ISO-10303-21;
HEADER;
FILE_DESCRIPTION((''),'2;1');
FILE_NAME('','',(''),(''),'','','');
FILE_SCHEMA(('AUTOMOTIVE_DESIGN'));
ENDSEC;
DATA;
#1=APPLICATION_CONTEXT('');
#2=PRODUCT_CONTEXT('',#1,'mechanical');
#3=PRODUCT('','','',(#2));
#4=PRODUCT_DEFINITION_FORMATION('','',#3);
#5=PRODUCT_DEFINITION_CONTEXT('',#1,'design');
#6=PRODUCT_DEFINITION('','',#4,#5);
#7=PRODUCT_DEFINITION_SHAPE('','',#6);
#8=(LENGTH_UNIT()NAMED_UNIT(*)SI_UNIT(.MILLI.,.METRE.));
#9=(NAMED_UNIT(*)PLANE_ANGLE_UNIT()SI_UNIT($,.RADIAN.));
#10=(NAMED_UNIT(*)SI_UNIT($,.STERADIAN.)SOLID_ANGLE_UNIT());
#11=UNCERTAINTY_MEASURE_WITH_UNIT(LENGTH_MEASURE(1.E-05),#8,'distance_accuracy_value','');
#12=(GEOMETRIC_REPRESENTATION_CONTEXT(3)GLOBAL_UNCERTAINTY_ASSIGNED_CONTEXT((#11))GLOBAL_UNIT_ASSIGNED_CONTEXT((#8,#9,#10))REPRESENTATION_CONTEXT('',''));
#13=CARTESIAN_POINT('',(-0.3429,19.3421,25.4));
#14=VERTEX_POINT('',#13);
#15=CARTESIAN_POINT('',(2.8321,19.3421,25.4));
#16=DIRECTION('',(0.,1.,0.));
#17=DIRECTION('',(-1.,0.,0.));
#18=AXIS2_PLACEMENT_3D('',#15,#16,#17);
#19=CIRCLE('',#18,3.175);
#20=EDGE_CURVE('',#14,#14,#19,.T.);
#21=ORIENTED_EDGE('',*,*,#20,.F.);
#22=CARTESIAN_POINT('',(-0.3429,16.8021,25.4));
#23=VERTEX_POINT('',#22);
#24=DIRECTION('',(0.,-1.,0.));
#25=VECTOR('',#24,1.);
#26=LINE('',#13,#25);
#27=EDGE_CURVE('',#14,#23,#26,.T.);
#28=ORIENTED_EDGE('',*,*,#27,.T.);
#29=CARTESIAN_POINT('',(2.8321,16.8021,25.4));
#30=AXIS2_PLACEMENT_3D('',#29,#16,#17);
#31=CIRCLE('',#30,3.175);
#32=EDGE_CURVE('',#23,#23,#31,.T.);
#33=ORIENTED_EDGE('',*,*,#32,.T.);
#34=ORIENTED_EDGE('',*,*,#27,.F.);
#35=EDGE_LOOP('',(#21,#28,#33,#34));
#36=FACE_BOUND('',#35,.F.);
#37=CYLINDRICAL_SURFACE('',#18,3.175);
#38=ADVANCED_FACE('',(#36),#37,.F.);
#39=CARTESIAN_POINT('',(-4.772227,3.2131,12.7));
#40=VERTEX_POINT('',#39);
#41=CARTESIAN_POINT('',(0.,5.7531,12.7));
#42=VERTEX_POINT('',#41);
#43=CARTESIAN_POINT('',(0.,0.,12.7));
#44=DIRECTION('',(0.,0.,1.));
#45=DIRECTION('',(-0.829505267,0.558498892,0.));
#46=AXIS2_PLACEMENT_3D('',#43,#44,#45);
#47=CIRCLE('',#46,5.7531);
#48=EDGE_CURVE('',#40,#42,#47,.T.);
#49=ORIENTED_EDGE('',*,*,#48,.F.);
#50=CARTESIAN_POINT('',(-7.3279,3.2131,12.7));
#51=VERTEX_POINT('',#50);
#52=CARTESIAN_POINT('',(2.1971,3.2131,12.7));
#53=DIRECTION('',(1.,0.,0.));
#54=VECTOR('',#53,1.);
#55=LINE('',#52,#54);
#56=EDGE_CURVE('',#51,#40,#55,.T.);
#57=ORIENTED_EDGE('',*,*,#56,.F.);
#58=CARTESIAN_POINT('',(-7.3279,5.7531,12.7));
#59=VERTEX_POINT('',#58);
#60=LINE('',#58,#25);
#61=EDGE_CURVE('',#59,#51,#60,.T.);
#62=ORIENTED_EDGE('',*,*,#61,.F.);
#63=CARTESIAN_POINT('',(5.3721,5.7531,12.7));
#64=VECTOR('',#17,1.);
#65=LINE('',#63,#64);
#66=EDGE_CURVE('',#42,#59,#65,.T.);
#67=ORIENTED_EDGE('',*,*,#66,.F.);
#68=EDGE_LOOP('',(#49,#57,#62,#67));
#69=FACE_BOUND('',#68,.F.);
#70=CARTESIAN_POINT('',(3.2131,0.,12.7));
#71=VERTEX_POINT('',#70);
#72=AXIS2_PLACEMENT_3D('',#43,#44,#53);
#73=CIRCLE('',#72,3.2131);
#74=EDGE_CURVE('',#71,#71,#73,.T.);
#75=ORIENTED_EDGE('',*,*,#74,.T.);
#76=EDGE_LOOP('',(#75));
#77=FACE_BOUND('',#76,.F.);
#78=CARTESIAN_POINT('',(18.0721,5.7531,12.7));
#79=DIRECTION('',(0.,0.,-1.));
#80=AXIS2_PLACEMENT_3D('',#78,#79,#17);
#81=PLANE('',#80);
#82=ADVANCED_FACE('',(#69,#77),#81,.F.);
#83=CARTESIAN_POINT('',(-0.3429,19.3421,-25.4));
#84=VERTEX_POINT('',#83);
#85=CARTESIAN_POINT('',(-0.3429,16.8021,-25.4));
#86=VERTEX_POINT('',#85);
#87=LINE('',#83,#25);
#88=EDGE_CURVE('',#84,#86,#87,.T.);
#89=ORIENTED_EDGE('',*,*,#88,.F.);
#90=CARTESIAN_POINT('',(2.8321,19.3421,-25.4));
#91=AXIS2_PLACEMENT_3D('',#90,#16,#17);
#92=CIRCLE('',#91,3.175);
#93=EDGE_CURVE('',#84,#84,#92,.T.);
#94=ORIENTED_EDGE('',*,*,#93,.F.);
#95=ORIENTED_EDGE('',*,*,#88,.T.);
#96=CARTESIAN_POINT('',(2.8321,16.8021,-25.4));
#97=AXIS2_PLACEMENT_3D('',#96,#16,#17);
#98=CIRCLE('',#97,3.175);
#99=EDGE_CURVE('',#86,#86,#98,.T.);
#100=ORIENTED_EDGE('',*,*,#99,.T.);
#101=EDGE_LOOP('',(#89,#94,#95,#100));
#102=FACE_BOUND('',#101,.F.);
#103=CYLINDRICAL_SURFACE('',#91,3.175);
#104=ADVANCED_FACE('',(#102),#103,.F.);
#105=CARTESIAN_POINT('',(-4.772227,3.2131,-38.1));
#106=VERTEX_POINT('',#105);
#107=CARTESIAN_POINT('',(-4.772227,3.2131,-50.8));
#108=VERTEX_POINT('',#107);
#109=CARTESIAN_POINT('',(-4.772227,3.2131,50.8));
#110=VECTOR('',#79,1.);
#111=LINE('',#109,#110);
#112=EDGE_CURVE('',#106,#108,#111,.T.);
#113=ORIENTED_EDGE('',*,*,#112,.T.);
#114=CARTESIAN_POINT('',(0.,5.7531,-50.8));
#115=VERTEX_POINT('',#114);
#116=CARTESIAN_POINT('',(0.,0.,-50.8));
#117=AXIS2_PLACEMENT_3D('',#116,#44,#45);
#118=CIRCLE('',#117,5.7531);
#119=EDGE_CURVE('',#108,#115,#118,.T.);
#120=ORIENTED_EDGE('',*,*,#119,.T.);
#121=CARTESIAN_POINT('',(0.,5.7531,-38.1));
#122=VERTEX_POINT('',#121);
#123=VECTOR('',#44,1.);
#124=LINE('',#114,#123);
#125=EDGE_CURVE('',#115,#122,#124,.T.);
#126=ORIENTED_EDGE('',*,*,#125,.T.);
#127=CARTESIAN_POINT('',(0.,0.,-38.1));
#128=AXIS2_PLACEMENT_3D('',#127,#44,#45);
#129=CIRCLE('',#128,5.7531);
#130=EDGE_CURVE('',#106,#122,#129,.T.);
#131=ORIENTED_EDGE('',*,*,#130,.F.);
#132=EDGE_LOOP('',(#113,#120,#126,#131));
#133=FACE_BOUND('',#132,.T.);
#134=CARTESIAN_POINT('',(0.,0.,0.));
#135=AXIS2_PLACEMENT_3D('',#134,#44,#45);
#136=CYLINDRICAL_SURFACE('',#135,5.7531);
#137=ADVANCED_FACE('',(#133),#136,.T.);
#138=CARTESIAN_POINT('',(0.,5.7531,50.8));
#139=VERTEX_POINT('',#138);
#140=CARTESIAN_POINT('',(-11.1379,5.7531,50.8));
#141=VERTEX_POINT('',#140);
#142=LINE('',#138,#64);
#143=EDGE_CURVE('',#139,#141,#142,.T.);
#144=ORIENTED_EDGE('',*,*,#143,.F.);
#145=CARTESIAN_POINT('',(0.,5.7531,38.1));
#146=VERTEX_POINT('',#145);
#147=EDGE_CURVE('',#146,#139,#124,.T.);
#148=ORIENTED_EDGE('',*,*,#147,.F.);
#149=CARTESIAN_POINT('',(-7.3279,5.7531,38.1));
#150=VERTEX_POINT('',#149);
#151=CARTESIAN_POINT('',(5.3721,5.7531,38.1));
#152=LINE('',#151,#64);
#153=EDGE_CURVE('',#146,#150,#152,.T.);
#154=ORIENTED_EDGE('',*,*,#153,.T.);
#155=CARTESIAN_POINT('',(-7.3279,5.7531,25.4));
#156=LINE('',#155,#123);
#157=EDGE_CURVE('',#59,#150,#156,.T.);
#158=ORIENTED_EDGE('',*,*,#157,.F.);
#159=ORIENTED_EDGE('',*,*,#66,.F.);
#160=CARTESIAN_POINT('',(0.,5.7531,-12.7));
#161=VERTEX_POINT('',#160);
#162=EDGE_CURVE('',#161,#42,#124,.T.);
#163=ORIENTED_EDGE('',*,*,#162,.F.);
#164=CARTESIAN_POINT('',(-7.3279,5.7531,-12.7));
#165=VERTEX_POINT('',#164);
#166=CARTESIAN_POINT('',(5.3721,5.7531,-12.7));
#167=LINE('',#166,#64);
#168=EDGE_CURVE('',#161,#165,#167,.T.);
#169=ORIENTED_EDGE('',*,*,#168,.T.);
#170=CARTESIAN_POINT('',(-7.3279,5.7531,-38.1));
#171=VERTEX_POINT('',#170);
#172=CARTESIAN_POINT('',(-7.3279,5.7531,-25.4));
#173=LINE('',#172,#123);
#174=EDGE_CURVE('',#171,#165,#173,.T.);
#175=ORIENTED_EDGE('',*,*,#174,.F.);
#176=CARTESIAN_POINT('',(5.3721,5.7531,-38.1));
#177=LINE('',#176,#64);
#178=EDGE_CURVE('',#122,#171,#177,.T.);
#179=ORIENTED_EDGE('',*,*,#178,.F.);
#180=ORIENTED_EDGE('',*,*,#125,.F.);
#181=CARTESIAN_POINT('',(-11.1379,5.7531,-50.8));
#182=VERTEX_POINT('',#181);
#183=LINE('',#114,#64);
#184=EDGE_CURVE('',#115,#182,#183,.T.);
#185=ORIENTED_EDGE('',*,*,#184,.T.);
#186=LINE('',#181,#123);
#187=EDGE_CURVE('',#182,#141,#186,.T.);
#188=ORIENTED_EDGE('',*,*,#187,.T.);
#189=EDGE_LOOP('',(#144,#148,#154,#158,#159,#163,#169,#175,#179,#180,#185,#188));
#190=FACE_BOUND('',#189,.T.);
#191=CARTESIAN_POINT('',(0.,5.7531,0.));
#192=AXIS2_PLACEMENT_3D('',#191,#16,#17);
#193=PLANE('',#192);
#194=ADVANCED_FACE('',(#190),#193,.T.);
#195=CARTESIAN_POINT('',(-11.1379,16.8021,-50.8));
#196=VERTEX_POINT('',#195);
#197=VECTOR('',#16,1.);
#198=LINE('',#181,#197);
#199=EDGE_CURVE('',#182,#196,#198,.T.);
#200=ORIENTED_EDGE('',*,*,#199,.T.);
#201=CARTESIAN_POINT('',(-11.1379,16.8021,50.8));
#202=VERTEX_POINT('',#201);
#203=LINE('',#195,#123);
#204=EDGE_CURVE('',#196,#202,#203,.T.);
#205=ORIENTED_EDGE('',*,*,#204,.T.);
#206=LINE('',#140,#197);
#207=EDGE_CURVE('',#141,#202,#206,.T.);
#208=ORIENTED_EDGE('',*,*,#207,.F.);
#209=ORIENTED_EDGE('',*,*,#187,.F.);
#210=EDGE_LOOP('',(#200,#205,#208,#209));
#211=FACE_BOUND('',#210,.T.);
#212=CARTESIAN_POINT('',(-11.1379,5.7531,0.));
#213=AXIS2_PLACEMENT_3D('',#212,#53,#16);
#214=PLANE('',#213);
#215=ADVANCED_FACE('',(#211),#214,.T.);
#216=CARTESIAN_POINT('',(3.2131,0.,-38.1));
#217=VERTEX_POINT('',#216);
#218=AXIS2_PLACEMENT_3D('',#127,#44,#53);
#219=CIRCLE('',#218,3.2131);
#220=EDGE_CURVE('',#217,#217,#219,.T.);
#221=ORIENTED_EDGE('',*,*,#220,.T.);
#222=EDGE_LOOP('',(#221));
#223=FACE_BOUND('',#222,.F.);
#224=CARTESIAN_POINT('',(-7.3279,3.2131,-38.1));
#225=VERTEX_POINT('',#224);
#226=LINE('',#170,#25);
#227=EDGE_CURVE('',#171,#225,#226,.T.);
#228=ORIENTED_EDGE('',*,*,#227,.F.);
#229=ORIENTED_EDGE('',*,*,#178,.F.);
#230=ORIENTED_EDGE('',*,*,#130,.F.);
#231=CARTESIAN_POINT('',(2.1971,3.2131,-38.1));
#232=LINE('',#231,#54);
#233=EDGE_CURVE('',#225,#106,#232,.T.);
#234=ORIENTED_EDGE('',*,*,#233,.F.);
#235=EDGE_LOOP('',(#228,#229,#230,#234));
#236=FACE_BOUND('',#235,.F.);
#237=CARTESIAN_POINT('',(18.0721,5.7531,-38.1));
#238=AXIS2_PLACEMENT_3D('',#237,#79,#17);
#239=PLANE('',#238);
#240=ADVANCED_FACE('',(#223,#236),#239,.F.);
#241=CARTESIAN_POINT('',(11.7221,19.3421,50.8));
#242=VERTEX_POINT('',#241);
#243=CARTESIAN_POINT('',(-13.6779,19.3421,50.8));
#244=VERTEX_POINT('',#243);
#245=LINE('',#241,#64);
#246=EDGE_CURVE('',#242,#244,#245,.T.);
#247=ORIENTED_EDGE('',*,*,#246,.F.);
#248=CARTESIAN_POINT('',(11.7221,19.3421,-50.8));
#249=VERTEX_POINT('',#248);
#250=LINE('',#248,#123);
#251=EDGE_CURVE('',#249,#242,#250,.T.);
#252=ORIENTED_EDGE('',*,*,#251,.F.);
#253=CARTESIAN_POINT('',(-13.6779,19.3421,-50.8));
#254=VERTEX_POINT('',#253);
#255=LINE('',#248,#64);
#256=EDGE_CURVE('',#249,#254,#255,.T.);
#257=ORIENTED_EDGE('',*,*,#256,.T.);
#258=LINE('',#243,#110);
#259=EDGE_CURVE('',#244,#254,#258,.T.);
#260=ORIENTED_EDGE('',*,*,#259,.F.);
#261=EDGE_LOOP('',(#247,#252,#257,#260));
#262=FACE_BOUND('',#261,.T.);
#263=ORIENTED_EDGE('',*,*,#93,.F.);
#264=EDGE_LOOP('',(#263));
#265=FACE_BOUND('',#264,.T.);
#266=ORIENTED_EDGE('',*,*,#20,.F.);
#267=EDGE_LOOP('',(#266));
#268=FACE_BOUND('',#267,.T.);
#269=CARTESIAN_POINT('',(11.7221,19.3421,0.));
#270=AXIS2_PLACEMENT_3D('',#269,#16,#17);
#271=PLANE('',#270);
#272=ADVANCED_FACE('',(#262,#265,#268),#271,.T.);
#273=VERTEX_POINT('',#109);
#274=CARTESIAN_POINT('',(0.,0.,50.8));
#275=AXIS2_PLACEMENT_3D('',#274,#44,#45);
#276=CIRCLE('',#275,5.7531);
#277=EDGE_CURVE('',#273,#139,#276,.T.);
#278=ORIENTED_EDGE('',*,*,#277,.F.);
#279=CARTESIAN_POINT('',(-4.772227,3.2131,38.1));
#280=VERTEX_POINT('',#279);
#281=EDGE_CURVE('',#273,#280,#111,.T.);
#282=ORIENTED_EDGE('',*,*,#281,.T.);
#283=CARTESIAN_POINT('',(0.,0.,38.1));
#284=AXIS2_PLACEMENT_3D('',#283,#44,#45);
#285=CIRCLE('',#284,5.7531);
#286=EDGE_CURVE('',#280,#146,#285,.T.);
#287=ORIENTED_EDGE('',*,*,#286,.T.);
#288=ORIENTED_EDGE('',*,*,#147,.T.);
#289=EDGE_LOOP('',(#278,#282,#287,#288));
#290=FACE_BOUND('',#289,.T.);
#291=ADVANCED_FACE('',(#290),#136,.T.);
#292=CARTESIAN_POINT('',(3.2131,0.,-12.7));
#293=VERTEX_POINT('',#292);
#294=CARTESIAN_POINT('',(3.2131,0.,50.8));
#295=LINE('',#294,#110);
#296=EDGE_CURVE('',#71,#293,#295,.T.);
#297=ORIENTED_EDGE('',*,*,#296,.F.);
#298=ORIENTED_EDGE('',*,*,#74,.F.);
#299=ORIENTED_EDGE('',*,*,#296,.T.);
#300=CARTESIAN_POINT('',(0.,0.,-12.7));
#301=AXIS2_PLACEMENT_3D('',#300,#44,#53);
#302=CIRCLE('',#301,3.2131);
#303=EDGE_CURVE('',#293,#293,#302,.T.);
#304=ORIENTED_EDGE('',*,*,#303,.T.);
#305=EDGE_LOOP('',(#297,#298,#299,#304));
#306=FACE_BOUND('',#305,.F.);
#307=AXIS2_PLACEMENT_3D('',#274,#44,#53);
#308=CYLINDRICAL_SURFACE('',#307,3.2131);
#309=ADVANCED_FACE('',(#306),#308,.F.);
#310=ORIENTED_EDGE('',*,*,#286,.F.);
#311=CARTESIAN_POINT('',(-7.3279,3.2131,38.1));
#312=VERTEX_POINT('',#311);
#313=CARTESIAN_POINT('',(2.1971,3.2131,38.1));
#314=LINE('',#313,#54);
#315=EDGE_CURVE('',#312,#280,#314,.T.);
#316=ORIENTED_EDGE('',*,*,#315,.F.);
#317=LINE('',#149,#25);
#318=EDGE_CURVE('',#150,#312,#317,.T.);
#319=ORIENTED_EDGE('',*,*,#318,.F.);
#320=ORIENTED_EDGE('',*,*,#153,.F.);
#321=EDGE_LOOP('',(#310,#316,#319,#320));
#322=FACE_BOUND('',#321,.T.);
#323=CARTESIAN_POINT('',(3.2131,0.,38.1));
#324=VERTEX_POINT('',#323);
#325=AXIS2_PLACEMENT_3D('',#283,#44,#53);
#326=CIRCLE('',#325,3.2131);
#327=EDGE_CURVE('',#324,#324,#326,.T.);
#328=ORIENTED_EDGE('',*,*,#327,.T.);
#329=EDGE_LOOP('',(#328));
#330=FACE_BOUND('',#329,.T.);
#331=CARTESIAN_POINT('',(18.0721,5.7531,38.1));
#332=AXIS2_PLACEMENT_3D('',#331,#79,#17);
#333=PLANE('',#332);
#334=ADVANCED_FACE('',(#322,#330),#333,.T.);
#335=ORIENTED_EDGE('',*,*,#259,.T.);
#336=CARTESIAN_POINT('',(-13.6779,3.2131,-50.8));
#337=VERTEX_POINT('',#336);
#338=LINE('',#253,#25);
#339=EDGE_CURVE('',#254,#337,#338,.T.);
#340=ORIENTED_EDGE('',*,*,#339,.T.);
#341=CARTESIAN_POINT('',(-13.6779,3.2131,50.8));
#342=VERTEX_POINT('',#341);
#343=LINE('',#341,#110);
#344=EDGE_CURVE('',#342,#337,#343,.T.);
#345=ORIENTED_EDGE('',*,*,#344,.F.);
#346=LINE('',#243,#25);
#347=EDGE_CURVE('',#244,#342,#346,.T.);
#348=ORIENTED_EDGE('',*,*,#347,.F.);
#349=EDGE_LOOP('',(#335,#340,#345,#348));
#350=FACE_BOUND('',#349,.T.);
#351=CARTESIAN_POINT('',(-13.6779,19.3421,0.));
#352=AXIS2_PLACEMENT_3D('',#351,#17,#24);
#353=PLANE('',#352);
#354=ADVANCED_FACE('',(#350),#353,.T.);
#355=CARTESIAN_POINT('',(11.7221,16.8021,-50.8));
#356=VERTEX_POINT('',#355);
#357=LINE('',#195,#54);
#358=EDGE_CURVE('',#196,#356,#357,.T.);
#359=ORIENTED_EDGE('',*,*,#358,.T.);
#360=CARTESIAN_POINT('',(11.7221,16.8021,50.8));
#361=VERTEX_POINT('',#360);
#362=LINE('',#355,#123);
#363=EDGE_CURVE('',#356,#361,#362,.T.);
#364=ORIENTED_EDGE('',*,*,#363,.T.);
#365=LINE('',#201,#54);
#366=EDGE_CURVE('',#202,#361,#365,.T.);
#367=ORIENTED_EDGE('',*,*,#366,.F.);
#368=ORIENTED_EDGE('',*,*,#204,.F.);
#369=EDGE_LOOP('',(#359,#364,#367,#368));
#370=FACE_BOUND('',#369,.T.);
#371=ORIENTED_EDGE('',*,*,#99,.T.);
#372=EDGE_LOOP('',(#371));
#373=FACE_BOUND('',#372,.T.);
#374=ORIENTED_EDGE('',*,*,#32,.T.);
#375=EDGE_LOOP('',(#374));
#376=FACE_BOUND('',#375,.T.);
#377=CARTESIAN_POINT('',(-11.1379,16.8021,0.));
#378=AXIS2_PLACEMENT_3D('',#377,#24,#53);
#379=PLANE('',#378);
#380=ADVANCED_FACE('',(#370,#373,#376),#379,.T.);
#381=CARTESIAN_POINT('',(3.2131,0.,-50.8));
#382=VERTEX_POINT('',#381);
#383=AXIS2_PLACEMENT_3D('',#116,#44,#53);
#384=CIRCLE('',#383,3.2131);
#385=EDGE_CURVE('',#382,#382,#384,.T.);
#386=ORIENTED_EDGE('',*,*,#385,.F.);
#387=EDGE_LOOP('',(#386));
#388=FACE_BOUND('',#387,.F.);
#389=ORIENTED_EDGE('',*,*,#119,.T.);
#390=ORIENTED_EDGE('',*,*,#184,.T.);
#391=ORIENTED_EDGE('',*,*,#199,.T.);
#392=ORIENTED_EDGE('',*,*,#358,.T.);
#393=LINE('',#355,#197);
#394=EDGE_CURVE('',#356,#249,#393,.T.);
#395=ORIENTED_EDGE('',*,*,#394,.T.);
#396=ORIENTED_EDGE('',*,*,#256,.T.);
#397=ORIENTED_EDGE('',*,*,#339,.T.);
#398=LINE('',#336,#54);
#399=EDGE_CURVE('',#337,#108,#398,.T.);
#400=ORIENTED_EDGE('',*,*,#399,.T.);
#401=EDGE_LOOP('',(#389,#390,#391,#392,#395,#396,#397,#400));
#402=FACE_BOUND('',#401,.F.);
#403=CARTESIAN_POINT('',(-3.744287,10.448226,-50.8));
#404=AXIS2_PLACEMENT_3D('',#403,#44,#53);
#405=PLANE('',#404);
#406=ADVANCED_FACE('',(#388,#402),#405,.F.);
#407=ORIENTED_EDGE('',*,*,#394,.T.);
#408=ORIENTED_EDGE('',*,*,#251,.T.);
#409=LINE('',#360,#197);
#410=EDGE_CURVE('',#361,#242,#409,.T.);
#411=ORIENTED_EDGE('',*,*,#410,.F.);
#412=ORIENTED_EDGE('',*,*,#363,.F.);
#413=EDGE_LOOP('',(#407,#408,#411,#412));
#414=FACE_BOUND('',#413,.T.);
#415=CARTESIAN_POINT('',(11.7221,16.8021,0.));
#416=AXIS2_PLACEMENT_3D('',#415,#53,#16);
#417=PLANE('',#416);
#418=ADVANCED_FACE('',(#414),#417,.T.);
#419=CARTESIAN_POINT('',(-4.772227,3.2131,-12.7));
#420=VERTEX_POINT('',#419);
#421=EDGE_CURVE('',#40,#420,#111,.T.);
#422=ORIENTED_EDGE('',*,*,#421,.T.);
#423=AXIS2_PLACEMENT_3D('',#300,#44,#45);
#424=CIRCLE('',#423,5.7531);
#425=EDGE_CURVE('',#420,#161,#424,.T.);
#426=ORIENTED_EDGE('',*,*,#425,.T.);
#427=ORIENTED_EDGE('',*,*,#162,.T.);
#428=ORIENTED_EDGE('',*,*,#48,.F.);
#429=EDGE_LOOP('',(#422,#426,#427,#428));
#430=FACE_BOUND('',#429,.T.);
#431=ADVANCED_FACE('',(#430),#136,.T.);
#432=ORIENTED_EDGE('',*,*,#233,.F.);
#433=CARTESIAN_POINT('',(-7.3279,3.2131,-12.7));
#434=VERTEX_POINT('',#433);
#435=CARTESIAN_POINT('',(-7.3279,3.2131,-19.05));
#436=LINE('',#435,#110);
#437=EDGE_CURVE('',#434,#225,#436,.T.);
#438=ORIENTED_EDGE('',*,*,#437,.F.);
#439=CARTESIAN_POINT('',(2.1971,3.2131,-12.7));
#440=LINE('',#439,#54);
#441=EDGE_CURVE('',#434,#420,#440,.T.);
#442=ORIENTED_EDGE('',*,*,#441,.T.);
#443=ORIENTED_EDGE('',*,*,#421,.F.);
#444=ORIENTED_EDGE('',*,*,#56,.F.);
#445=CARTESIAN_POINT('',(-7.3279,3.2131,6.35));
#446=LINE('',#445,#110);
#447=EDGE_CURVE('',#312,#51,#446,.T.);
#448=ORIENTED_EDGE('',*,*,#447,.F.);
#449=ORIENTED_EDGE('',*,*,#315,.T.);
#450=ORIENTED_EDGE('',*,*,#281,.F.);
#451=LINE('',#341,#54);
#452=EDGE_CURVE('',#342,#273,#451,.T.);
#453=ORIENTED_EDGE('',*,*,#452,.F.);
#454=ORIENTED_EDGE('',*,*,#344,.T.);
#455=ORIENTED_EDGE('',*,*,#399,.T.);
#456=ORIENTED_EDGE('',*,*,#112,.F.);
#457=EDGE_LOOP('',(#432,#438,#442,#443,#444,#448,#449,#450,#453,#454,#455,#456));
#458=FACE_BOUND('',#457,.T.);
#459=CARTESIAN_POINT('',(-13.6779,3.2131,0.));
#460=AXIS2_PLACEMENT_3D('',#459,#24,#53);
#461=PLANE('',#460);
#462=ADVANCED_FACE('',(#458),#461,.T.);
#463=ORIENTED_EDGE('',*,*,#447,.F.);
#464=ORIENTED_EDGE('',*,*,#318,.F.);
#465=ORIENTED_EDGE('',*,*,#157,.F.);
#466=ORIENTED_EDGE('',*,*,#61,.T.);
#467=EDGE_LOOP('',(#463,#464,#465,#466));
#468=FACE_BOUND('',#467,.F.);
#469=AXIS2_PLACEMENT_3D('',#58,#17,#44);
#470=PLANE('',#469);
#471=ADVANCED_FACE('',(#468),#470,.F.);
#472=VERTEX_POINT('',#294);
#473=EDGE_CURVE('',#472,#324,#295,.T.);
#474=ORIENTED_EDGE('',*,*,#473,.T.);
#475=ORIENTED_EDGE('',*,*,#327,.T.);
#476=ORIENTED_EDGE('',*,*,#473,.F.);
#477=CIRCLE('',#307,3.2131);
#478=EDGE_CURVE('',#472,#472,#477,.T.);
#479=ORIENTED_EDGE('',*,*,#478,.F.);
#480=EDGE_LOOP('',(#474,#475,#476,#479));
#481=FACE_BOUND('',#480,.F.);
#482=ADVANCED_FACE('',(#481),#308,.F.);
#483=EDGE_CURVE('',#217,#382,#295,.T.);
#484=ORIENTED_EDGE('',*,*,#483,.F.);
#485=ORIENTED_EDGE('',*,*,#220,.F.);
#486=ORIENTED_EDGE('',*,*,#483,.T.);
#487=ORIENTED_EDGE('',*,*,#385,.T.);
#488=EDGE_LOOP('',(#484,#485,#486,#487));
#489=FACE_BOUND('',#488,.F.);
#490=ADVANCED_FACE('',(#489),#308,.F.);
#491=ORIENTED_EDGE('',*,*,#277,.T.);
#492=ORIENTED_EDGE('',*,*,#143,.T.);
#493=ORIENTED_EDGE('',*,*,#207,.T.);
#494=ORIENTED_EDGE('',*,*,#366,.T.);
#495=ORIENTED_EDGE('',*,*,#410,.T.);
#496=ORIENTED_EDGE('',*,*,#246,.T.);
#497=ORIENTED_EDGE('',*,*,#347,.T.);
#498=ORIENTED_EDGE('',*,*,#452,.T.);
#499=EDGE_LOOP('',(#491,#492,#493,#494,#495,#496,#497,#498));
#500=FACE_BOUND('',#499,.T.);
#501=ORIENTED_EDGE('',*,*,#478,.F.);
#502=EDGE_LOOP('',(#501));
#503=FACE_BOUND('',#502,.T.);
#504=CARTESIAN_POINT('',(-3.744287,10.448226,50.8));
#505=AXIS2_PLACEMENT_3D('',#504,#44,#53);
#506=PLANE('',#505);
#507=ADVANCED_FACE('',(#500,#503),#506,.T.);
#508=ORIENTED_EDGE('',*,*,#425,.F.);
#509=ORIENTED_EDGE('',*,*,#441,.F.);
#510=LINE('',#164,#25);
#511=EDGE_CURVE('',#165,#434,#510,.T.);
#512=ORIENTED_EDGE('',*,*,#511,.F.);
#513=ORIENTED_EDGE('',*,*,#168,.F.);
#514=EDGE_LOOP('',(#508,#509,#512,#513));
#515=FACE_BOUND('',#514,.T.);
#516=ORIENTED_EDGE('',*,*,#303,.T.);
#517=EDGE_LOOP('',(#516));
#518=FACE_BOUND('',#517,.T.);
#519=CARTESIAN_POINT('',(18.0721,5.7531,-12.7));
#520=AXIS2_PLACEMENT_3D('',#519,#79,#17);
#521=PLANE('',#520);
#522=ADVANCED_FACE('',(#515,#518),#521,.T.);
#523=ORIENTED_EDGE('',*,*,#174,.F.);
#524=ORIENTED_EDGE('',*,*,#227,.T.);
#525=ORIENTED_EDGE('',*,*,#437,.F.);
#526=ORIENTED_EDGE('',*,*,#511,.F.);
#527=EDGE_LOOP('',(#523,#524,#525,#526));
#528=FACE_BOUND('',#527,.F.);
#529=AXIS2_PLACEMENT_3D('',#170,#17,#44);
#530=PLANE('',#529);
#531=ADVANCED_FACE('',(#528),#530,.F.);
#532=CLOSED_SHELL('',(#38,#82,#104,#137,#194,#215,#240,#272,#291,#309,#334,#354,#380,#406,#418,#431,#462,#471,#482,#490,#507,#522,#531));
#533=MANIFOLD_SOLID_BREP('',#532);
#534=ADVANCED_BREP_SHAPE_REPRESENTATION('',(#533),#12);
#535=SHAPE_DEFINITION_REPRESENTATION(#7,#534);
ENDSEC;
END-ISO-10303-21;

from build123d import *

# Parameters (mm, degrees)
F1_DEPTH = 50.8
F2_W     = 25.4
F2_H     = 25.4
F3_DEPTH = 11.5072
F4_R     = 3.2131
F5_DEPTH = 101.601
F6_R     = 3.175
F7_DEPTH = 2.54


with BuildPart() as f1:
    # F0 (on Top) → F1 (new body, symmetric)
    with BuildSketch(Plane.XY):
        with BuildLine():
            ThreePointArc((-4.772227, 3.2131), (2.703042, -5.078555), (0, 5.7531))
            Line((0, 5.7531), (-11.1379, 5.7531))
            Line((-11.1379, 5.7531), (-11.1379, 16.8021))
            Line((-11.1379, 16.8021), (11.7221, 16.8021))
            Line((11.7221, 16.8021), (11.7221, 19.3421))
            Line((11.7221, 19.3421), (-13.6779, 19.3421))
            Line((-13.6779, 19.3421), (-13.6779, 3.2131))
            Line((-13.6779, 3.2131), (-4.772227, 3.2131))
        make_face()
    extrude(amount=F1_DEPTH, both=True)

    # F2 (on face) → F3 (cut, through all)
    with BuildSketch(Plane(origin=(0, 5.7531, 0), x_dir=(-1, 0, 0), z_dir=(0, 1, 0))):
        with Locations((-5.3721, 25.4)):
            Rectangle(F2_W, F2_H)
        with Locations((-5.3721, -25.4)):
            Rectangle(F2_W, F2_H)
    extrude(amount=-F3_DEPTH, mode=Mode.SUBTRACT)

    # F4 (on face) → F5 (cut, through all)
    with BuildSketch(Plane.XY.offset(50.8)):
        Circle(F4_R)
    extrude(amount=-F5_DEPTH, mode=Mode.SUBTRACT)

    # F6 (on face) → F7 (cut, through all)
    with BuildSketch(Plane(origin=(0, 19.3421, 0), x_dir=(-1, 0, 0), z_dir=(0, 1, 0))):
        with Locations((-2.8321, 25.4)):
            Circle(F6_R)
        with Locations((-2.8321, -25.4)):
            Circle(F6_R)
    extrude(amount=-F7_DEPTH, mode=Mode.SUBTRACT)


solid = f1.part
